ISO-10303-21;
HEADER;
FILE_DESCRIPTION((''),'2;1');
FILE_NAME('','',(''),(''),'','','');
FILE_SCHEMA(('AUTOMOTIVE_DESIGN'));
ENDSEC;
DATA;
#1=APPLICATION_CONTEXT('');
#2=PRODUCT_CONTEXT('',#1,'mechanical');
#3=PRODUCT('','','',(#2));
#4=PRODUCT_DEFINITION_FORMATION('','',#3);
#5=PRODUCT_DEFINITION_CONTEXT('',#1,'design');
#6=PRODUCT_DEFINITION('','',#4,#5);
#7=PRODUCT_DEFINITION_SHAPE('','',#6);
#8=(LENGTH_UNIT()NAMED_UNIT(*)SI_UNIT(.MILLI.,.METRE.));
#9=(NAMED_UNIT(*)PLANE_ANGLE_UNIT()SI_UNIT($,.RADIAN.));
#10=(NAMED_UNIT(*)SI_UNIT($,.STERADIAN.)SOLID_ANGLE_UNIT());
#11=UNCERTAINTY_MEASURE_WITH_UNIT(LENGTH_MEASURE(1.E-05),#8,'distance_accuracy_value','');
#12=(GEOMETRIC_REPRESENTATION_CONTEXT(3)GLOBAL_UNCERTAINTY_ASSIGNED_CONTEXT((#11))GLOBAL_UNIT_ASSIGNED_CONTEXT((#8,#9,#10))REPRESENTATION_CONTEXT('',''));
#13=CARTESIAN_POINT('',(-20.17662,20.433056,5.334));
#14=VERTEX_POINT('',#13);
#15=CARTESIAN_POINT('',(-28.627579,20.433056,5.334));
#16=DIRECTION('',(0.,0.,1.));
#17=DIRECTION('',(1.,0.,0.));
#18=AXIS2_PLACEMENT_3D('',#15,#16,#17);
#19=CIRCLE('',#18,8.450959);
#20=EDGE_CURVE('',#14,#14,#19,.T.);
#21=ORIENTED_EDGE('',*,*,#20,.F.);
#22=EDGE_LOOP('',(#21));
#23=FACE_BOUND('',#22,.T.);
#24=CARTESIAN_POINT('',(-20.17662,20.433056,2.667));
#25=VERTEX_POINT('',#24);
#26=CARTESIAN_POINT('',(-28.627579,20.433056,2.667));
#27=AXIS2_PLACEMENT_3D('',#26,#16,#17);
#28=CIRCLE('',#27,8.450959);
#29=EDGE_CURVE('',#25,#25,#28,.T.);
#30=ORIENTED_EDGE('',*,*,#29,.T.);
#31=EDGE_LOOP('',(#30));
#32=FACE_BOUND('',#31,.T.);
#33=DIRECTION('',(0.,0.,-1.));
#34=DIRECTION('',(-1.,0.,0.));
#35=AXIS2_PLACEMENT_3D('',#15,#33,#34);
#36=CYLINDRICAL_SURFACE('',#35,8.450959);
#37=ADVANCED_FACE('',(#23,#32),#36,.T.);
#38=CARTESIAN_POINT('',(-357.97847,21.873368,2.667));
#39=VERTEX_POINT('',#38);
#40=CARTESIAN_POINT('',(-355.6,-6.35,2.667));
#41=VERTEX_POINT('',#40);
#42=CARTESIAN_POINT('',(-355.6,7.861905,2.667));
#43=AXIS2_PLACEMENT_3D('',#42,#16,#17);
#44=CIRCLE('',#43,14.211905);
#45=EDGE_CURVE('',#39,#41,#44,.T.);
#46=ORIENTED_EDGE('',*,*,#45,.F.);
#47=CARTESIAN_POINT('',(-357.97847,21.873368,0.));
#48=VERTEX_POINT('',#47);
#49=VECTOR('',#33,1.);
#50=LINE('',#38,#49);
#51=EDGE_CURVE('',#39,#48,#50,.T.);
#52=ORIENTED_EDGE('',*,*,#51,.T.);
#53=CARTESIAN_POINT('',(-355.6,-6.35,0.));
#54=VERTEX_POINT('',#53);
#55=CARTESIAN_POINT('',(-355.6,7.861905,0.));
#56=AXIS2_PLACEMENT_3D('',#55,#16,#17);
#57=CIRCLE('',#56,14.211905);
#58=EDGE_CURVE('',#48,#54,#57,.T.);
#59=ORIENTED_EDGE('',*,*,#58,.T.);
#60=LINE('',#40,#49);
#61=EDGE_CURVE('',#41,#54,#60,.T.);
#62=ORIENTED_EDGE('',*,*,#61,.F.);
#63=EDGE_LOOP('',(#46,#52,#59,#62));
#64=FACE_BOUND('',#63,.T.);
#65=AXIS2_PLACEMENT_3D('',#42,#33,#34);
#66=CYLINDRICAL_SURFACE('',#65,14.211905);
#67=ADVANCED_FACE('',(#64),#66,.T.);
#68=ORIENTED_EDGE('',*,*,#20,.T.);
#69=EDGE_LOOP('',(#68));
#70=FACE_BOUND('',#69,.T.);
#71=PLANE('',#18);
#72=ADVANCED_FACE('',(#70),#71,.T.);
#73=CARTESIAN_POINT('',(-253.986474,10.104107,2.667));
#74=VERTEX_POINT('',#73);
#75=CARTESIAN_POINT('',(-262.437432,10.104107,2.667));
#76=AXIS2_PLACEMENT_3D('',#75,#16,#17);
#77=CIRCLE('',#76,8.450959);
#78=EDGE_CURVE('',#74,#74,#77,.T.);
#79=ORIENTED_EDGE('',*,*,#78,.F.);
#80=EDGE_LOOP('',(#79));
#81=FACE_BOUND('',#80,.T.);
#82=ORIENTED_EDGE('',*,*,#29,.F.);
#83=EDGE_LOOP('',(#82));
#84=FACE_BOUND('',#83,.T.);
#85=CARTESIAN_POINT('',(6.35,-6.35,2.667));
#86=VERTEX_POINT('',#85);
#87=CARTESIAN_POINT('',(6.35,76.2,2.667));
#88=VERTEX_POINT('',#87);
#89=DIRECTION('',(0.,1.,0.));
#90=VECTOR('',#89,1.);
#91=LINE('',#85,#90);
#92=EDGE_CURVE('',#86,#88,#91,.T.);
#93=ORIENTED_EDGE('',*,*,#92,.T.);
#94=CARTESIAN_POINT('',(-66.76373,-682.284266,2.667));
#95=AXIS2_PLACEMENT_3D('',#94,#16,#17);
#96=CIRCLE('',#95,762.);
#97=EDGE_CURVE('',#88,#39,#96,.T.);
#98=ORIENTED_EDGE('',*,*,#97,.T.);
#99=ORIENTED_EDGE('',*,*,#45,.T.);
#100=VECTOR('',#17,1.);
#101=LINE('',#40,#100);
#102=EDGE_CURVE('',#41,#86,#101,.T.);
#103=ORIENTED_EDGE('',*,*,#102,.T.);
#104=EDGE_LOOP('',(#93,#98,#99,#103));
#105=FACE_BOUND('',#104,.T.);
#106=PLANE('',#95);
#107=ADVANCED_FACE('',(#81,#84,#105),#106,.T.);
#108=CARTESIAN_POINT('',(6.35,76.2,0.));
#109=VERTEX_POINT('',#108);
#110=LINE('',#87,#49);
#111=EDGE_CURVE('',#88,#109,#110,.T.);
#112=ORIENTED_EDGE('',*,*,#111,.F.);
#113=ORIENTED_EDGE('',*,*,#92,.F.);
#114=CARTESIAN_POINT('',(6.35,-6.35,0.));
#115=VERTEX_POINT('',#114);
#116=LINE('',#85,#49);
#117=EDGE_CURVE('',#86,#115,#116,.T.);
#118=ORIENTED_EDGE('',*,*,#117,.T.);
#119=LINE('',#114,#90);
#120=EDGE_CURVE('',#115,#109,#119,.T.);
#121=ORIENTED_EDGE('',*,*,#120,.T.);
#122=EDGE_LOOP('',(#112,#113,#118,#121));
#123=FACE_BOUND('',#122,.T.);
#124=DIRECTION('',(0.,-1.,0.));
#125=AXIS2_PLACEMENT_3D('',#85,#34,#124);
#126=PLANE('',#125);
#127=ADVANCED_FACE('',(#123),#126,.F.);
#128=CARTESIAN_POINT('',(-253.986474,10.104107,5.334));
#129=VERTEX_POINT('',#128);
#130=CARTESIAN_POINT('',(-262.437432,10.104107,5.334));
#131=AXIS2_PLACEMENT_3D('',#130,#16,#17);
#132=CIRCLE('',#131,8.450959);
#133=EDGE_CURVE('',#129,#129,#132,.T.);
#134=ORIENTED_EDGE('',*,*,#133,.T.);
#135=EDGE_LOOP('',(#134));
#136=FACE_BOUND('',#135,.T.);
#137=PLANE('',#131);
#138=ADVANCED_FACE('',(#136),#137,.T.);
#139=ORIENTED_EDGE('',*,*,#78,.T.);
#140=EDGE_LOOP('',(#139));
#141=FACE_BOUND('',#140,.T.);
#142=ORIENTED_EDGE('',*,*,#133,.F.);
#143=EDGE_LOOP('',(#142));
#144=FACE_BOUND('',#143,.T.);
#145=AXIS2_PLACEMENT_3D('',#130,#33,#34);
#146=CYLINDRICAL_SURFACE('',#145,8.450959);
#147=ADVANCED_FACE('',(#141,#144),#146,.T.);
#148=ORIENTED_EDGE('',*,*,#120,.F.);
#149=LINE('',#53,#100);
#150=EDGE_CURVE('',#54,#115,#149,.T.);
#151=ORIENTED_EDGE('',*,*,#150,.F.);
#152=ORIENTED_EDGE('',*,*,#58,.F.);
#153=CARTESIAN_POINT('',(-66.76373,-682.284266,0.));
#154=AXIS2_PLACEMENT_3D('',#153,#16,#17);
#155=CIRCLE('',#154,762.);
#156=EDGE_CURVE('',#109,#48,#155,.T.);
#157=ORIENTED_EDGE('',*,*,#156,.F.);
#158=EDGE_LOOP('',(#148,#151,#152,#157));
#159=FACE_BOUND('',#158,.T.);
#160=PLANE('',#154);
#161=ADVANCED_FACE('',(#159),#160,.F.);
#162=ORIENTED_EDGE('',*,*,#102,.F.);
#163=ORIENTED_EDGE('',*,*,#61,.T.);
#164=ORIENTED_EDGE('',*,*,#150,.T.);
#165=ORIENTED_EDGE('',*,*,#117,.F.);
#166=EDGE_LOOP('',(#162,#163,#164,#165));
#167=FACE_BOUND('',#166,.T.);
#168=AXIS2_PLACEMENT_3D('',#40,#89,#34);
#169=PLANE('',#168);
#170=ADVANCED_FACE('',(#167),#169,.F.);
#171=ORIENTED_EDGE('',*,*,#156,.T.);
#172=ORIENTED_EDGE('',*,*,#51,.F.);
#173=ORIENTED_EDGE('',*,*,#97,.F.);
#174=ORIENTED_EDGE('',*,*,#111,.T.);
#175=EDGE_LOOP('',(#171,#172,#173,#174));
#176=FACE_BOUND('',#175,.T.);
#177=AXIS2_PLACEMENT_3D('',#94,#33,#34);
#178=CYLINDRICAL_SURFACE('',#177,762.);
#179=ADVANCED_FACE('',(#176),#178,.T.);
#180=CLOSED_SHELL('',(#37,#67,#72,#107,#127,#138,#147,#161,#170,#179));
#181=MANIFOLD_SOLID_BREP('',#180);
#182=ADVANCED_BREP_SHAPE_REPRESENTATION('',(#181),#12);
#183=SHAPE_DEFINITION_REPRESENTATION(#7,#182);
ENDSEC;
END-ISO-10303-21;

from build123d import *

# Parameters (mm, degrees)
BASE_EXTRUDE_DEPTH  = 2.667
SKETCH2_R           = 8.450958565
BOSS_EXTRUDE1_DEPTH = 2.667


with BuildPart() as part:
    # Sketch1 → Base-Extrude (new body)
    with BuildSketch(Plane.XY):
        with BuildLine():
            Line((6.35, -6.35), (6.35, 76.2))
            ThreePointArc((6.35, 76.2), (-179.146372853, 71.382862664), (-357.978470471, 21.873368468))
            ThreePointArc((-357.978470471, 21.873368468), (-369.761705842, 6.668454051), (-355.6, -6.35))
            Line((-355.6, -6.35), (6.35, -6.35))
        make_face()
    extrude(amount=BASE_EXTRUDE_DEPTH)

    # Sketch2 → Boss-Extrude1 (add)
    with BuildSketch(Plane.XY.offset(2.667)):
        with Locations((-262.437432145, 10.104106788)):
            Circle(SKETCH2_R)
        with Locations((-28.627578506, 20.433056145)):
            Circle(SKETCH2_R)
    extrude(amount=BOSS_EXTRUDE1_DEPTH)


solid = part.part
